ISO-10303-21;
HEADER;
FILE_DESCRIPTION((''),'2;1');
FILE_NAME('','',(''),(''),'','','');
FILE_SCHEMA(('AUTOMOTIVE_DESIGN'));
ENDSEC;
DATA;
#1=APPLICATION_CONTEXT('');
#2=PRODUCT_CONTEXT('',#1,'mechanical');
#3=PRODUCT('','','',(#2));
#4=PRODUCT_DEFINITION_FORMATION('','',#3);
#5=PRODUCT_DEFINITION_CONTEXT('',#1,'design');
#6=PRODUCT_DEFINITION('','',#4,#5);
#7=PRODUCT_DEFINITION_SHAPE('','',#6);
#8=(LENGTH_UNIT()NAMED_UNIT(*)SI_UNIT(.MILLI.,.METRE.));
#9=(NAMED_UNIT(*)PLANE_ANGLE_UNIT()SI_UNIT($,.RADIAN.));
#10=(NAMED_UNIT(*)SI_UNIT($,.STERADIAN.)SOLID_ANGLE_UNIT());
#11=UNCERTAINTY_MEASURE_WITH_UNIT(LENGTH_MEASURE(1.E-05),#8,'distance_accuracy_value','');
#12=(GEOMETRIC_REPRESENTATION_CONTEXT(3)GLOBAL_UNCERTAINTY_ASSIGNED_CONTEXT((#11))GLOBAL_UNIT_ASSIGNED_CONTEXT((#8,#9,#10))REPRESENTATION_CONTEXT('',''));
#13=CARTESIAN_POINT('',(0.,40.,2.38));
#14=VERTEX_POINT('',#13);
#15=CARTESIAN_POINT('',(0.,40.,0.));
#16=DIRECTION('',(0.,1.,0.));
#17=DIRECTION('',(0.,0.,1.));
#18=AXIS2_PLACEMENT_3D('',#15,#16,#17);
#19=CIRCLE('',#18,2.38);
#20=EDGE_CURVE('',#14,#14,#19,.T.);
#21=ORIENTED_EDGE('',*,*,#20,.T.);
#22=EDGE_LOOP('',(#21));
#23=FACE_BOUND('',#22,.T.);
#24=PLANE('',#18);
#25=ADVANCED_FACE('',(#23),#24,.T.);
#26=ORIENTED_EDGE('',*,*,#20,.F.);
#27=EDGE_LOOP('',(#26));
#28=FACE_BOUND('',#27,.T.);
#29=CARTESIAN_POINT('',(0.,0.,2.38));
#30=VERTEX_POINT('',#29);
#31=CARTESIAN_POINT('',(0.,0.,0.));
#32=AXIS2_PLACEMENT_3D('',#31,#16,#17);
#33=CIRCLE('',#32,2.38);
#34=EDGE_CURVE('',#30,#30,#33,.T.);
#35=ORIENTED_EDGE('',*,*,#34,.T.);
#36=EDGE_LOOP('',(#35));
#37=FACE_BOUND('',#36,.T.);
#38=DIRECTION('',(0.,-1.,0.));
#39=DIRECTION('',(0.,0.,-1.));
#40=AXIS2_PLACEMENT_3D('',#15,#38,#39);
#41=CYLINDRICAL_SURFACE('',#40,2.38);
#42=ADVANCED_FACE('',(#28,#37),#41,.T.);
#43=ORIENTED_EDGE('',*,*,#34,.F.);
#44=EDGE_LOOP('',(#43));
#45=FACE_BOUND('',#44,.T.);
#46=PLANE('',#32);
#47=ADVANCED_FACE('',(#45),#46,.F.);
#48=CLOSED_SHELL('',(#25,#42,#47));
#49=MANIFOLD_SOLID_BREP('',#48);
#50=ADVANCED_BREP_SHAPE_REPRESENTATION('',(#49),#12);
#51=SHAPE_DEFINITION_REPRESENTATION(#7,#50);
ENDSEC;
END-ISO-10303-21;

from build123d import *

# Parameters (mm, degrees)
SKETCH1_R           = 2.38
BOSS_EXTRUDE1_DEPTH = 40


with BuildPart() as part:
    # Sketch1 → Boss-Extrude1 (new body)
    with BuildSketch(Plane(origin=(0, 0, 0), x_dir=(1, 0, 0), z_dir=(0, 1, 0))):
        with Locations(Location((0, 0, 0), (0, 0, 270))):  # turned: the seam where the file's is
            Circle(SKETCH1_R)
    extrude(amount=BOSS_EXTRUDE1_DEPTH)


solid = part.part
